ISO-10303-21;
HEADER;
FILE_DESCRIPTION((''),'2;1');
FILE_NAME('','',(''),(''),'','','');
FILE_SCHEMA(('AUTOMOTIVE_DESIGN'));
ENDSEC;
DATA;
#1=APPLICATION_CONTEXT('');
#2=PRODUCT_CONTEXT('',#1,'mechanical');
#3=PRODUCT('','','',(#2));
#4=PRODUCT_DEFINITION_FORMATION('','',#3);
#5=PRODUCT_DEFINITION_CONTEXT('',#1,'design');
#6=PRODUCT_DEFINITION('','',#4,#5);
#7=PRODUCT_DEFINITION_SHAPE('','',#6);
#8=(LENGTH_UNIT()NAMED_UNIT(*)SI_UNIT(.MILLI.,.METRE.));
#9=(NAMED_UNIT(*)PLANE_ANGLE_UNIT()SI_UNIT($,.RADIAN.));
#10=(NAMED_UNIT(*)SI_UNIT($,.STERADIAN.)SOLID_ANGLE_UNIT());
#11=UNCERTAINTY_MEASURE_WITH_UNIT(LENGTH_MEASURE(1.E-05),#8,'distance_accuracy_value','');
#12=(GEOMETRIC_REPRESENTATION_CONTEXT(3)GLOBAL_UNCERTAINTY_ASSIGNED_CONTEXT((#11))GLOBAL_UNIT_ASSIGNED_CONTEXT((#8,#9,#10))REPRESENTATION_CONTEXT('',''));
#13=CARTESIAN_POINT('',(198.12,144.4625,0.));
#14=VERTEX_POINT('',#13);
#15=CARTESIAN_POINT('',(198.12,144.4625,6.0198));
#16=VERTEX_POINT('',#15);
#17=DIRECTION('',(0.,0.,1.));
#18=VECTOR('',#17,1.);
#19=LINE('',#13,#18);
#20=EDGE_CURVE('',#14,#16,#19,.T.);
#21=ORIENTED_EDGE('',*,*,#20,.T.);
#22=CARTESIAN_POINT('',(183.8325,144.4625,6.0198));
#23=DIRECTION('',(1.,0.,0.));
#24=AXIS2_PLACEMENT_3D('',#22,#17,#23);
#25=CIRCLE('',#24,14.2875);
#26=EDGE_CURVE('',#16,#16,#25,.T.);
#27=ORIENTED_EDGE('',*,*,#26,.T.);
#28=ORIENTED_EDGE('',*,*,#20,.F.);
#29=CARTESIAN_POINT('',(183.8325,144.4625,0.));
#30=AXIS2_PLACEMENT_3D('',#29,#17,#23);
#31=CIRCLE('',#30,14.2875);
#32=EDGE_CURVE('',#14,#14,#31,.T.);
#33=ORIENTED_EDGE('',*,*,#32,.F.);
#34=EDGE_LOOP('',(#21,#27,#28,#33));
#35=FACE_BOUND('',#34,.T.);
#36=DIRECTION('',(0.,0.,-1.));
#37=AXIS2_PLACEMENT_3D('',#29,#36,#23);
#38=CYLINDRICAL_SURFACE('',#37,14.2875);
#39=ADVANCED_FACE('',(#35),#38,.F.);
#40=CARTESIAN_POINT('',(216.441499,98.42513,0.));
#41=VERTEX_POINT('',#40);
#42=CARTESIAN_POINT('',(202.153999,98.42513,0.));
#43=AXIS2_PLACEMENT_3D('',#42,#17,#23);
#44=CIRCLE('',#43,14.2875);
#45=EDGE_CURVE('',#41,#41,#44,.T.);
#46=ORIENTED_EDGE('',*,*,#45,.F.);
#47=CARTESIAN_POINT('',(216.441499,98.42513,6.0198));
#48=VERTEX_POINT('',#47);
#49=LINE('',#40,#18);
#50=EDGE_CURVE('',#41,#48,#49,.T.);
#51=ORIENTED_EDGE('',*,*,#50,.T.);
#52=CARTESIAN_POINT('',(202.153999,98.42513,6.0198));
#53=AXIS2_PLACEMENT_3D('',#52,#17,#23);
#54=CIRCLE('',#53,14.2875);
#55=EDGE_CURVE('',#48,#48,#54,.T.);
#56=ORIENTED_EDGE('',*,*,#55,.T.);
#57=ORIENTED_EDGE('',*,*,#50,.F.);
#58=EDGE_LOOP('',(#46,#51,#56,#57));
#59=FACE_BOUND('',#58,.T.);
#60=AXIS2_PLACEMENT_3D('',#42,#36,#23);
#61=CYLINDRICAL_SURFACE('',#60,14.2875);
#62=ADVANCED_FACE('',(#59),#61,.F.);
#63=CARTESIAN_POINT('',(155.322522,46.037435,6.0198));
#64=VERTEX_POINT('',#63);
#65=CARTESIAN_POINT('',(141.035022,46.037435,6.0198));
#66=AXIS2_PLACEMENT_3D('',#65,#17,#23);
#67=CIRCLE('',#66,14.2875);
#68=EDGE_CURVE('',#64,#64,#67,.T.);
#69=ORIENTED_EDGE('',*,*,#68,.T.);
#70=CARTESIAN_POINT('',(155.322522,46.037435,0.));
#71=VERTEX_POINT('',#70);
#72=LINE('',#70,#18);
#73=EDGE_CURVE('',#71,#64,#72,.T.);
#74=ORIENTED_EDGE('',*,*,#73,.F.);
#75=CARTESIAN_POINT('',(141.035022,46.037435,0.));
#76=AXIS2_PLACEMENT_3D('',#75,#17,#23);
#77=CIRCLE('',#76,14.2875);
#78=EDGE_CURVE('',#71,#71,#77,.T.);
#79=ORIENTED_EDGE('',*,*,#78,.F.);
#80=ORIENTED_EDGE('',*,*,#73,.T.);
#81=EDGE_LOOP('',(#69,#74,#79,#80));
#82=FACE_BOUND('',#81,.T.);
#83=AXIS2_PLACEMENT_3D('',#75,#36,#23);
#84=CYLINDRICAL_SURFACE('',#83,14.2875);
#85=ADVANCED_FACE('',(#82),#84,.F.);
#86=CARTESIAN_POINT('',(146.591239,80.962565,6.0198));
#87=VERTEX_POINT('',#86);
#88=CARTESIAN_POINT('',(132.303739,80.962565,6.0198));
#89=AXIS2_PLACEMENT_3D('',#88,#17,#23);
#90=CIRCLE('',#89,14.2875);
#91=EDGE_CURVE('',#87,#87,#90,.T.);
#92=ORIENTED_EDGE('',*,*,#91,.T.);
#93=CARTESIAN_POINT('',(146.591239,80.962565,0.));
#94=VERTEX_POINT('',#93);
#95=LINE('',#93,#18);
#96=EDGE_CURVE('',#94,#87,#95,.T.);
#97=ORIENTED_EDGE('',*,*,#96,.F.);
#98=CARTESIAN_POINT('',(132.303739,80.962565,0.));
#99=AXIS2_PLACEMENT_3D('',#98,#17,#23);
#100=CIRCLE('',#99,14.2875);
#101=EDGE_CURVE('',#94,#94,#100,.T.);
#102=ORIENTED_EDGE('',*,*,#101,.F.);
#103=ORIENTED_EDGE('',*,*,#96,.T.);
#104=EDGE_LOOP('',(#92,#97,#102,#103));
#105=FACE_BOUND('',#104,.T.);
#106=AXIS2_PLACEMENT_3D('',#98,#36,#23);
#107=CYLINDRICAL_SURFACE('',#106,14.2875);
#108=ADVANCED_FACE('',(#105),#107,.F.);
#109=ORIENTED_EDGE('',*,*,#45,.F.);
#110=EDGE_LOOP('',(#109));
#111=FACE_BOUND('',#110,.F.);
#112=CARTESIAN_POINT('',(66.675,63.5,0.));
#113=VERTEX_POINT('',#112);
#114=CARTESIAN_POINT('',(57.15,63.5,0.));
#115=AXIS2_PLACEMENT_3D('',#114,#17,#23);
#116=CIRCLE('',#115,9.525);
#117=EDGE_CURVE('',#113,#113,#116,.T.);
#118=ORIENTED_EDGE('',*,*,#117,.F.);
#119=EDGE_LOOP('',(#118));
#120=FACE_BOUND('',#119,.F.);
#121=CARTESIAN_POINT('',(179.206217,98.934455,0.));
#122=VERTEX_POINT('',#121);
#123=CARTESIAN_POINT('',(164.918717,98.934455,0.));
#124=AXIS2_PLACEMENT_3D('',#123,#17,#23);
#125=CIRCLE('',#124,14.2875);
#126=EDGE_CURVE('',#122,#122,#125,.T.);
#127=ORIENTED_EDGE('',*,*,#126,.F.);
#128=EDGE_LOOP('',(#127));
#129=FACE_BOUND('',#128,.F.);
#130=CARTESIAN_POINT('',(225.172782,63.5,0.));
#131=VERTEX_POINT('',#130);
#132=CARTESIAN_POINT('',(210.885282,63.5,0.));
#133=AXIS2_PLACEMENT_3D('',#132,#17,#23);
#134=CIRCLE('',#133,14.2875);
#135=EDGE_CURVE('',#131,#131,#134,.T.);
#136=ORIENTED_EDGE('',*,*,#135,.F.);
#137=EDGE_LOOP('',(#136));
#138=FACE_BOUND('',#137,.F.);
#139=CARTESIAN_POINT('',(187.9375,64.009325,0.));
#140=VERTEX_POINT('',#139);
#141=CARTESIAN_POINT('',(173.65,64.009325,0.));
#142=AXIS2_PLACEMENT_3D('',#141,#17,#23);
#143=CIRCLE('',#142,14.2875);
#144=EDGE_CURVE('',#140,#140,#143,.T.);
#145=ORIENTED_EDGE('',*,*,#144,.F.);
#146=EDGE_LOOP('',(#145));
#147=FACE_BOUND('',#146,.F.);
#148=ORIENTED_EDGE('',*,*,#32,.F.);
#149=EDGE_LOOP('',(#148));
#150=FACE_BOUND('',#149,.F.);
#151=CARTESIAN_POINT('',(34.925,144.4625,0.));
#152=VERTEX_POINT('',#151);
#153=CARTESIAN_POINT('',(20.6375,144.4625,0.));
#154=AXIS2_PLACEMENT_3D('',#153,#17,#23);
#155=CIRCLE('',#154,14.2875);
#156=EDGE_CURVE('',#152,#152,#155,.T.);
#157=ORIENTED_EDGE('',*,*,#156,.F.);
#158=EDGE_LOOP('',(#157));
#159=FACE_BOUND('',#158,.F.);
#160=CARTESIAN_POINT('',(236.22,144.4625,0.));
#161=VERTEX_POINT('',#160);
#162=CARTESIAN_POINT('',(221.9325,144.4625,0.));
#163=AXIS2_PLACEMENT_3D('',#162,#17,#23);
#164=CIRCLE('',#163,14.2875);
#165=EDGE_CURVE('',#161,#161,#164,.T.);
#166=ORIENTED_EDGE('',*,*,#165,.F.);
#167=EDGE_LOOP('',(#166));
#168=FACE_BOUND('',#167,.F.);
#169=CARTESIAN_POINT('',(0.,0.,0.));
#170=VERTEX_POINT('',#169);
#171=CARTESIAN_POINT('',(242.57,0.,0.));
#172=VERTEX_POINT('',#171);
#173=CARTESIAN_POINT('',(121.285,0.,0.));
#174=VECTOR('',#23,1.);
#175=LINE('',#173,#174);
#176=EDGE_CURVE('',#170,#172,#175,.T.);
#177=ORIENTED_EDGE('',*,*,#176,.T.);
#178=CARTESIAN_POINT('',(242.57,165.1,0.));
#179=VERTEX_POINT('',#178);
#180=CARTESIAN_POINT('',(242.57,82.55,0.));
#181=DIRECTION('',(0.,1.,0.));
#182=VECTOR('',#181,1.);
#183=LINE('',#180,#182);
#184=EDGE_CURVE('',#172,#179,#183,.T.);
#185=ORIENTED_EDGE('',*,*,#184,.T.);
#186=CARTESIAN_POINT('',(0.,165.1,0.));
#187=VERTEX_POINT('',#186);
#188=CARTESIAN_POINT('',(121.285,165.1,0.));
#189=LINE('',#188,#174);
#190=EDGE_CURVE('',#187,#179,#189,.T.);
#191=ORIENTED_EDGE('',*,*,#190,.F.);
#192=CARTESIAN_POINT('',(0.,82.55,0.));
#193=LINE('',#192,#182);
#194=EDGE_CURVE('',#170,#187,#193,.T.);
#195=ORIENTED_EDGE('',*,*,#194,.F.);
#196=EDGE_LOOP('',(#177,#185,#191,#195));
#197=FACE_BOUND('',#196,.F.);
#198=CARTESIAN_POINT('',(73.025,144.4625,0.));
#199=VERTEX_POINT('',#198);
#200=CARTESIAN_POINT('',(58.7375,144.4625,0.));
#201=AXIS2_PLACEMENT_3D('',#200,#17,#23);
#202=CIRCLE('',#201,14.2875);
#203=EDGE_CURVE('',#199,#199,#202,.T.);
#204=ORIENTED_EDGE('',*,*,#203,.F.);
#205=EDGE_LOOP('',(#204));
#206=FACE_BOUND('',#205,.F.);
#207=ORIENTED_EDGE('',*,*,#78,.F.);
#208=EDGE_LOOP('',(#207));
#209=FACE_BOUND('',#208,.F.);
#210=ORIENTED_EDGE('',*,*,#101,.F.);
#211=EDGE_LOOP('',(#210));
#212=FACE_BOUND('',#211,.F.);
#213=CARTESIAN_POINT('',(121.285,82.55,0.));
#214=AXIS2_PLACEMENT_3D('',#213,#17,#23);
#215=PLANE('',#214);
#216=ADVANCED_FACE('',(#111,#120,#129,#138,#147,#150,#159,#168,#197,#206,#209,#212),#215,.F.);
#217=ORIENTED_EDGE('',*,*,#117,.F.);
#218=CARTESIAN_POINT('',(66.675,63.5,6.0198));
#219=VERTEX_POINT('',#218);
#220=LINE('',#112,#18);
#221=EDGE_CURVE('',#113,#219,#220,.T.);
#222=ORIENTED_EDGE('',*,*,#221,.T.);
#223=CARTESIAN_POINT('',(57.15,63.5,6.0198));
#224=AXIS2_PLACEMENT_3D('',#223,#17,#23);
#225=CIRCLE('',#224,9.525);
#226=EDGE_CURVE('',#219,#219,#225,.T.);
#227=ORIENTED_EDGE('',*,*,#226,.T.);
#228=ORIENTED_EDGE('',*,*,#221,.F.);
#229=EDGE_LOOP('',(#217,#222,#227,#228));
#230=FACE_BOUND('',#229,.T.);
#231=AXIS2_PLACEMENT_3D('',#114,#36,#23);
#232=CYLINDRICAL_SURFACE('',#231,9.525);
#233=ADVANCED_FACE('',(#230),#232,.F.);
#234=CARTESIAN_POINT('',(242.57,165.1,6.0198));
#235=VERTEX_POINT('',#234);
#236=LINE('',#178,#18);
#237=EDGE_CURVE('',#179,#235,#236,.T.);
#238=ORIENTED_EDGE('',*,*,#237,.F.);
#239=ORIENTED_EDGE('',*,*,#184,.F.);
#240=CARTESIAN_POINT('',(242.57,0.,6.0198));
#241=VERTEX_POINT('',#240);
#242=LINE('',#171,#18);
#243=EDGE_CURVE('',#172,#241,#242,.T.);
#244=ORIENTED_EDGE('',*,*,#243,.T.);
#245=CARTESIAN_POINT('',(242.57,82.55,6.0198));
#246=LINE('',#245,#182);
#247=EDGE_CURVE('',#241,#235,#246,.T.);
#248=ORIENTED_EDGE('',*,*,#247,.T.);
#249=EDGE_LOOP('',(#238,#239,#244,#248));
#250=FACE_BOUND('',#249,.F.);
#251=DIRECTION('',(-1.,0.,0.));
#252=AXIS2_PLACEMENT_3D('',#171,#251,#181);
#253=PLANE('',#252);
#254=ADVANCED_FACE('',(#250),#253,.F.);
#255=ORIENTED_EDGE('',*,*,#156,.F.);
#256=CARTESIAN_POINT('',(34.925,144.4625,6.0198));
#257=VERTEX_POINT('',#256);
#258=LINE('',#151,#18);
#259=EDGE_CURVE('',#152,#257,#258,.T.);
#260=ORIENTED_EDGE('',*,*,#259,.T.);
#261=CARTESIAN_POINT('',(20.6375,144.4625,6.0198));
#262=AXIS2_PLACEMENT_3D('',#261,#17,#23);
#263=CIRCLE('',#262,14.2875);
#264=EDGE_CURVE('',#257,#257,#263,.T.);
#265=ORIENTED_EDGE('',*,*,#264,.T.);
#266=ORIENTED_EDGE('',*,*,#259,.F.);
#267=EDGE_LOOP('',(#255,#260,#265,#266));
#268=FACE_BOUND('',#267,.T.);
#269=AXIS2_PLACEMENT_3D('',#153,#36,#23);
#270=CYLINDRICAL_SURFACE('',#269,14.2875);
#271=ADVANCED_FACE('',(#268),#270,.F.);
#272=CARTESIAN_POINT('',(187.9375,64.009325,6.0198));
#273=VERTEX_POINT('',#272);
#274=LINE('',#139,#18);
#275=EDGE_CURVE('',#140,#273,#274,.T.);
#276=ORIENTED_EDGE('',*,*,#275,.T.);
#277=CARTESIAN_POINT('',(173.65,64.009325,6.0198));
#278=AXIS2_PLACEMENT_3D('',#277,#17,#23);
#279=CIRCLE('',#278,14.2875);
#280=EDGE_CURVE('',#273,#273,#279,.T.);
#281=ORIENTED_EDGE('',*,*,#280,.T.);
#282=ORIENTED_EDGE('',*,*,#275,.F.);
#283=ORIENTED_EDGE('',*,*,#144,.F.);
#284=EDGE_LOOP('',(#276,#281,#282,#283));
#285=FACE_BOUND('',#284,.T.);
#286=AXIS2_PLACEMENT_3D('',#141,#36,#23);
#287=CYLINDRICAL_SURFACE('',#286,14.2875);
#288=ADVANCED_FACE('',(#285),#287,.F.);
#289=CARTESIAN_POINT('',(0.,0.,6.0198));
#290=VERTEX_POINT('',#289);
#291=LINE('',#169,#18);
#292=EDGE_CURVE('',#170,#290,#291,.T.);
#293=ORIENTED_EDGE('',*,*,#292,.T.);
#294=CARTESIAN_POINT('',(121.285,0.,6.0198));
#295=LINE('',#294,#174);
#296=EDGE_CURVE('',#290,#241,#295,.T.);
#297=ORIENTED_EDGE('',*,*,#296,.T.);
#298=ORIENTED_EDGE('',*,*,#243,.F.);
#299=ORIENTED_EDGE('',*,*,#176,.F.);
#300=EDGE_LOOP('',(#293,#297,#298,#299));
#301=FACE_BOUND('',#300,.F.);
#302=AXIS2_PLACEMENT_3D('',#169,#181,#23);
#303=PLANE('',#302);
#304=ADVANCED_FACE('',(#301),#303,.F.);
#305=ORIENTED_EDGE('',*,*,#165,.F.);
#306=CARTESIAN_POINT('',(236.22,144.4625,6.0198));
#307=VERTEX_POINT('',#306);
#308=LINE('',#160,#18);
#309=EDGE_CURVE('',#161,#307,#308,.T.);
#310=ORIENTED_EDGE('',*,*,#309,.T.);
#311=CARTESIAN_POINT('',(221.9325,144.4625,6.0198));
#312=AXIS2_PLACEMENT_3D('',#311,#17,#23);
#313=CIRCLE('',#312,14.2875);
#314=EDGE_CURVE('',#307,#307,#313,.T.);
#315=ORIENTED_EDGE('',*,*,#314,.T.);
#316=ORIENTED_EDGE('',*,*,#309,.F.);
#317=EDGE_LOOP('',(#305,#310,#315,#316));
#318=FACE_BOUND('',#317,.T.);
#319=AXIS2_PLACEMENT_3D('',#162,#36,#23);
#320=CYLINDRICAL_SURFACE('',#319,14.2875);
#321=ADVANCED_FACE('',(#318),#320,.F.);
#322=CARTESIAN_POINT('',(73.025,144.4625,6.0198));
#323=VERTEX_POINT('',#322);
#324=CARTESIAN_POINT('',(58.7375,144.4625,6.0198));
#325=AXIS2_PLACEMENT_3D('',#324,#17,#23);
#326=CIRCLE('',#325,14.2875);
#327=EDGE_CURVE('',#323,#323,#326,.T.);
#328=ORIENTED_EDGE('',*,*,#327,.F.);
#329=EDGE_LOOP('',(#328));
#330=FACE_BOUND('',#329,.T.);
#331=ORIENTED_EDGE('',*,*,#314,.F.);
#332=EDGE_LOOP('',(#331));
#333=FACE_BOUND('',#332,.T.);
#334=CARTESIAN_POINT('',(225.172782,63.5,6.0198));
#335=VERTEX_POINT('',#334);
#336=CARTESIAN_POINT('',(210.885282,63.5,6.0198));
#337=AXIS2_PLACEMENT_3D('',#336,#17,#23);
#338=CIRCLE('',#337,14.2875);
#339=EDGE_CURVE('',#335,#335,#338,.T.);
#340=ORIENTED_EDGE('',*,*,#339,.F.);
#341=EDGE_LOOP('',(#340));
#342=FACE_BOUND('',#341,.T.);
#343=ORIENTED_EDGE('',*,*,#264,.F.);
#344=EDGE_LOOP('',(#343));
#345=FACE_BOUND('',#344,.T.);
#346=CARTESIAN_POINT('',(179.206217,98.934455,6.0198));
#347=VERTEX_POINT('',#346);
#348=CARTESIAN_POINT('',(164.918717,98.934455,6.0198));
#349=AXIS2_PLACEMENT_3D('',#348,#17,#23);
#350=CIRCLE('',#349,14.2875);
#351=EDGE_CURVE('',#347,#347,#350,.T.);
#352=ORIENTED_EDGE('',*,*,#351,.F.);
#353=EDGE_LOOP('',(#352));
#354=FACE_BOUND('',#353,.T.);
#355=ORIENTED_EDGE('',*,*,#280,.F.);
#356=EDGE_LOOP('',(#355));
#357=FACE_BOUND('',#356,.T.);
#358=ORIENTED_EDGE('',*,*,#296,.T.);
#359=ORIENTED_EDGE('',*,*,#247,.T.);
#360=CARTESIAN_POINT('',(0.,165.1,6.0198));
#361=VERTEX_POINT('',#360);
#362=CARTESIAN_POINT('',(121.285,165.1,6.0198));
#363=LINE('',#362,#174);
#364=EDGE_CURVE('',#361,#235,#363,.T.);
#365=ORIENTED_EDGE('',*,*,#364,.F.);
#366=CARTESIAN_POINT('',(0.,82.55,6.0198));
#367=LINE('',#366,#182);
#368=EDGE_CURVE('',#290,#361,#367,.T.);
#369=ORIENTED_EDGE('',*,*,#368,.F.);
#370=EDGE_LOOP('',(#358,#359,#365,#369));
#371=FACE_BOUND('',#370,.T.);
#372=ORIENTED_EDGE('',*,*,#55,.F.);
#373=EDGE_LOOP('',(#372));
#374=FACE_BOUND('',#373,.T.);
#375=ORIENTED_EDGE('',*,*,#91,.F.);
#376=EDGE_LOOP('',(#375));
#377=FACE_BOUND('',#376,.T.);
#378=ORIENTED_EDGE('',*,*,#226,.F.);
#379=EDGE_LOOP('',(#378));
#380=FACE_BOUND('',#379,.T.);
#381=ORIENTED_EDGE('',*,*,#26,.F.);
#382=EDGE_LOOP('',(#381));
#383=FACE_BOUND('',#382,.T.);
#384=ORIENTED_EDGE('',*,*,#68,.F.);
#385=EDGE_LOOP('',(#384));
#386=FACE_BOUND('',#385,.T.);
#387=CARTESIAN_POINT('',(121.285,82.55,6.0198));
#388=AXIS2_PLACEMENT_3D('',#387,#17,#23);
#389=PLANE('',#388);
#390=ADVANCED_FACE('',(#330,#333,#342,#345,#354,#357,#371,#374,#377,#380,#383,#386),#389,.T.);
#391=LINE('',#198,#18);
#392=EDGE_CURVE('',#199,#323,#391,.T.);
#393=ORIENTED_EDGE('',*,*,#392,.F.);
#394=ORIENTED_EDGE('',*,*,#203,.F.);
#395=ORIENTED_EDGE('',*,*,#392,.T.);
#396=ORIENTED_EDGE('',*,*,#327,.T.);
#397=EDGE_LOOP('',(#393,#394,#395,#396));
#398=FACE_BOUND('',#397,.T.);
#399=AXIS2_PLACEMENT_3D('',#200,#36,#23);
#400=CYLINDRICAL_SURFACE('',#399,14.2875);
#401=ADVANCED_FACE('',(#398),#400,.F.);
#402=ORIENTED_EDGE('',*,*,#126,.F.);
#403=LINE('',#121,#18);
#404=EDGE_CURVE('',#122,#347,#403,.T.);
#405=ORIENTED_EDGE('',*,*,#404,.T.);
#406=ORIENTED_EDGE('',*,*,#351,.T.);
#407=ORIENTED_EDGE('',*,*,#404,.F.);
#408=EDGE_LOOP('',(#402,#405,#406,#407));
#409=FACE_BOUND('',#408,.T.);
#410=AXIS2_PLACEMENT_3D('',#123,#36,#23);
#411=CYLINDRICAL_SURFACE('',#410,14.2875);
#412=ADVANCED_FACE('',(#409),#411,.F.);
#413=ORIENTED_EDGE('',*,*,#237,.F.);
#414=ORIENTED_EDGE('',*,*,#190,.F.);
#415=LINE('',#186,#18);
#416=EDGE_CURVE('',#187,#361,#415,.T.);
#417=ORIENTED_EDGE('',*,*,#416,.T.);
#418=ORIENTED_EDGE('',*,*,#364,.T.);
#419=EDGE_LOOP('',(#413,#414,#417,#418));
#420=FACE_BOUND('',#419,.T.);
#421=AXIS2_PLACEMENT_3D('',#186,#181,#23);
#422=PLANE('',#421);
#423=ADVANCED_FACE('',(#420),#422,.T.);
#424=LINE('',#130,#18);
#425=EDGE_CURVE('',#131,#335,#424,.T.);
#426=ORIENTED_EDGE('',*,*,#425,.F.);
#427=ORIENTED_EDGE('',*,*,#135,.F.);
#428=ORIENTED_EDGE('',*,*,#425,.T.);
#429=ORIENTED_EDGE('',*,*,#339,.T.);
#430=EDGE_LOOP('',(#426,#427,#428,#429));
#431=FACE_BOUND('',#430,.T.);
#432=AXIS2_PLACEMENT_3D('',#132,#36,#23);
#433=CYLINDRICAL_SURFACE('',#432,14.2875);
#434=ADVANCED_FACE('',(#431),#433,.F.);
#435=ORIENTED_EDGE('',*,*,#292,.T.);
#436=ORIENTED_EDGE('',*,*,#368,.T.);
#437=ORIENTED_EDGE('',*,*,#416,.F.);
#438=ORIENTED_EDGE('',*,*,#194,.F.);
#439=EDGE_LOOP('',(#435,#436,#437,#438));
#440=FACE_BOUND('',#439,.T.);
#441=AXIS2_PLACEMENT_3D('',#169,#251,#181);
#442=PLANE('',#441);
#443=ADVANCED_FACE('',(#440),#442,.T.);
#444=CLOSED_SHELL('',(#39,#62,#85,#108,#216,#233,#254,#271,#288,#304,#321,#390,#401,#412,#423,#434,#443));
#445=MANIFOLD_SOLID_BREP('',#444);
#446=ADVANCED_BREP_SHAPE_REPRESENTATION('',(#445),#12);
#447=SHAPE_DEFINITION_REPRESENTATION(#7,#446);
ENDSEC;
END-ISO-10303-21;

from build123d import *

# Parameters (mm, degrees)
F0_W     = 242.57
F0_H     = 165.1
F0_R     = 9.525
F0_R_2   = 14.2875
F1_DEPTH = 6.0198


with BuildPart() as f1:
    # F0 (on Top) → F1 (new body)
    with BuildSketch(Plane.XY):
        with Locations((121.285, 82.55)):
            Rectangle(F0_W, F0_H)
        with Locations((57.15, 63.5)):
            Circle(F0_R, mode=Mode.SUBTRACT)
        with Locations((141.035022, 46.037435)):
            Circle(F0_R_2, mode=Mode.SUBTRACT)
        with Locations((132.303739, 80.962565)):
            Circle(F0_R_2, mode=Mode.SUBTRACT)
        with Locations((173.65, 64.009325)):
            Circle(F0_R_2, mode=Mode.SUBTRACT)
        with Locations((210.885282, 63.5)):
            Circle(F0_R_2, mode=Mode.SUBTRACT)
        with Locations((20.6375, 144.4625)):
            Circle(F0_R_2, mode=Mode.SUBTRACT)
        with Locations((58.7375, 144.4625)):
            Circle(F0_R_2, mode=Mode.SUBTRACT)
        with Locations((164.918717, 98.934455)):
            Circle(F0_R_2, mode=Mode.SUBTRACT)
        with Locations((202.153999, 98.42513)):
            Circle(F0_R_2, mode=Mode.SUBTRACT)
        with Locations((183.8325, 144.4625)):
            Circle(F0_R_2, mode=Mode.SUBTRACT)
        with Locations((221.9325, 144.4625)):
            Circle(F0_R_2, mode=Mode.SUBTRACT)
    extrude(amount=F1_DEPTH)


solid = f1.part
